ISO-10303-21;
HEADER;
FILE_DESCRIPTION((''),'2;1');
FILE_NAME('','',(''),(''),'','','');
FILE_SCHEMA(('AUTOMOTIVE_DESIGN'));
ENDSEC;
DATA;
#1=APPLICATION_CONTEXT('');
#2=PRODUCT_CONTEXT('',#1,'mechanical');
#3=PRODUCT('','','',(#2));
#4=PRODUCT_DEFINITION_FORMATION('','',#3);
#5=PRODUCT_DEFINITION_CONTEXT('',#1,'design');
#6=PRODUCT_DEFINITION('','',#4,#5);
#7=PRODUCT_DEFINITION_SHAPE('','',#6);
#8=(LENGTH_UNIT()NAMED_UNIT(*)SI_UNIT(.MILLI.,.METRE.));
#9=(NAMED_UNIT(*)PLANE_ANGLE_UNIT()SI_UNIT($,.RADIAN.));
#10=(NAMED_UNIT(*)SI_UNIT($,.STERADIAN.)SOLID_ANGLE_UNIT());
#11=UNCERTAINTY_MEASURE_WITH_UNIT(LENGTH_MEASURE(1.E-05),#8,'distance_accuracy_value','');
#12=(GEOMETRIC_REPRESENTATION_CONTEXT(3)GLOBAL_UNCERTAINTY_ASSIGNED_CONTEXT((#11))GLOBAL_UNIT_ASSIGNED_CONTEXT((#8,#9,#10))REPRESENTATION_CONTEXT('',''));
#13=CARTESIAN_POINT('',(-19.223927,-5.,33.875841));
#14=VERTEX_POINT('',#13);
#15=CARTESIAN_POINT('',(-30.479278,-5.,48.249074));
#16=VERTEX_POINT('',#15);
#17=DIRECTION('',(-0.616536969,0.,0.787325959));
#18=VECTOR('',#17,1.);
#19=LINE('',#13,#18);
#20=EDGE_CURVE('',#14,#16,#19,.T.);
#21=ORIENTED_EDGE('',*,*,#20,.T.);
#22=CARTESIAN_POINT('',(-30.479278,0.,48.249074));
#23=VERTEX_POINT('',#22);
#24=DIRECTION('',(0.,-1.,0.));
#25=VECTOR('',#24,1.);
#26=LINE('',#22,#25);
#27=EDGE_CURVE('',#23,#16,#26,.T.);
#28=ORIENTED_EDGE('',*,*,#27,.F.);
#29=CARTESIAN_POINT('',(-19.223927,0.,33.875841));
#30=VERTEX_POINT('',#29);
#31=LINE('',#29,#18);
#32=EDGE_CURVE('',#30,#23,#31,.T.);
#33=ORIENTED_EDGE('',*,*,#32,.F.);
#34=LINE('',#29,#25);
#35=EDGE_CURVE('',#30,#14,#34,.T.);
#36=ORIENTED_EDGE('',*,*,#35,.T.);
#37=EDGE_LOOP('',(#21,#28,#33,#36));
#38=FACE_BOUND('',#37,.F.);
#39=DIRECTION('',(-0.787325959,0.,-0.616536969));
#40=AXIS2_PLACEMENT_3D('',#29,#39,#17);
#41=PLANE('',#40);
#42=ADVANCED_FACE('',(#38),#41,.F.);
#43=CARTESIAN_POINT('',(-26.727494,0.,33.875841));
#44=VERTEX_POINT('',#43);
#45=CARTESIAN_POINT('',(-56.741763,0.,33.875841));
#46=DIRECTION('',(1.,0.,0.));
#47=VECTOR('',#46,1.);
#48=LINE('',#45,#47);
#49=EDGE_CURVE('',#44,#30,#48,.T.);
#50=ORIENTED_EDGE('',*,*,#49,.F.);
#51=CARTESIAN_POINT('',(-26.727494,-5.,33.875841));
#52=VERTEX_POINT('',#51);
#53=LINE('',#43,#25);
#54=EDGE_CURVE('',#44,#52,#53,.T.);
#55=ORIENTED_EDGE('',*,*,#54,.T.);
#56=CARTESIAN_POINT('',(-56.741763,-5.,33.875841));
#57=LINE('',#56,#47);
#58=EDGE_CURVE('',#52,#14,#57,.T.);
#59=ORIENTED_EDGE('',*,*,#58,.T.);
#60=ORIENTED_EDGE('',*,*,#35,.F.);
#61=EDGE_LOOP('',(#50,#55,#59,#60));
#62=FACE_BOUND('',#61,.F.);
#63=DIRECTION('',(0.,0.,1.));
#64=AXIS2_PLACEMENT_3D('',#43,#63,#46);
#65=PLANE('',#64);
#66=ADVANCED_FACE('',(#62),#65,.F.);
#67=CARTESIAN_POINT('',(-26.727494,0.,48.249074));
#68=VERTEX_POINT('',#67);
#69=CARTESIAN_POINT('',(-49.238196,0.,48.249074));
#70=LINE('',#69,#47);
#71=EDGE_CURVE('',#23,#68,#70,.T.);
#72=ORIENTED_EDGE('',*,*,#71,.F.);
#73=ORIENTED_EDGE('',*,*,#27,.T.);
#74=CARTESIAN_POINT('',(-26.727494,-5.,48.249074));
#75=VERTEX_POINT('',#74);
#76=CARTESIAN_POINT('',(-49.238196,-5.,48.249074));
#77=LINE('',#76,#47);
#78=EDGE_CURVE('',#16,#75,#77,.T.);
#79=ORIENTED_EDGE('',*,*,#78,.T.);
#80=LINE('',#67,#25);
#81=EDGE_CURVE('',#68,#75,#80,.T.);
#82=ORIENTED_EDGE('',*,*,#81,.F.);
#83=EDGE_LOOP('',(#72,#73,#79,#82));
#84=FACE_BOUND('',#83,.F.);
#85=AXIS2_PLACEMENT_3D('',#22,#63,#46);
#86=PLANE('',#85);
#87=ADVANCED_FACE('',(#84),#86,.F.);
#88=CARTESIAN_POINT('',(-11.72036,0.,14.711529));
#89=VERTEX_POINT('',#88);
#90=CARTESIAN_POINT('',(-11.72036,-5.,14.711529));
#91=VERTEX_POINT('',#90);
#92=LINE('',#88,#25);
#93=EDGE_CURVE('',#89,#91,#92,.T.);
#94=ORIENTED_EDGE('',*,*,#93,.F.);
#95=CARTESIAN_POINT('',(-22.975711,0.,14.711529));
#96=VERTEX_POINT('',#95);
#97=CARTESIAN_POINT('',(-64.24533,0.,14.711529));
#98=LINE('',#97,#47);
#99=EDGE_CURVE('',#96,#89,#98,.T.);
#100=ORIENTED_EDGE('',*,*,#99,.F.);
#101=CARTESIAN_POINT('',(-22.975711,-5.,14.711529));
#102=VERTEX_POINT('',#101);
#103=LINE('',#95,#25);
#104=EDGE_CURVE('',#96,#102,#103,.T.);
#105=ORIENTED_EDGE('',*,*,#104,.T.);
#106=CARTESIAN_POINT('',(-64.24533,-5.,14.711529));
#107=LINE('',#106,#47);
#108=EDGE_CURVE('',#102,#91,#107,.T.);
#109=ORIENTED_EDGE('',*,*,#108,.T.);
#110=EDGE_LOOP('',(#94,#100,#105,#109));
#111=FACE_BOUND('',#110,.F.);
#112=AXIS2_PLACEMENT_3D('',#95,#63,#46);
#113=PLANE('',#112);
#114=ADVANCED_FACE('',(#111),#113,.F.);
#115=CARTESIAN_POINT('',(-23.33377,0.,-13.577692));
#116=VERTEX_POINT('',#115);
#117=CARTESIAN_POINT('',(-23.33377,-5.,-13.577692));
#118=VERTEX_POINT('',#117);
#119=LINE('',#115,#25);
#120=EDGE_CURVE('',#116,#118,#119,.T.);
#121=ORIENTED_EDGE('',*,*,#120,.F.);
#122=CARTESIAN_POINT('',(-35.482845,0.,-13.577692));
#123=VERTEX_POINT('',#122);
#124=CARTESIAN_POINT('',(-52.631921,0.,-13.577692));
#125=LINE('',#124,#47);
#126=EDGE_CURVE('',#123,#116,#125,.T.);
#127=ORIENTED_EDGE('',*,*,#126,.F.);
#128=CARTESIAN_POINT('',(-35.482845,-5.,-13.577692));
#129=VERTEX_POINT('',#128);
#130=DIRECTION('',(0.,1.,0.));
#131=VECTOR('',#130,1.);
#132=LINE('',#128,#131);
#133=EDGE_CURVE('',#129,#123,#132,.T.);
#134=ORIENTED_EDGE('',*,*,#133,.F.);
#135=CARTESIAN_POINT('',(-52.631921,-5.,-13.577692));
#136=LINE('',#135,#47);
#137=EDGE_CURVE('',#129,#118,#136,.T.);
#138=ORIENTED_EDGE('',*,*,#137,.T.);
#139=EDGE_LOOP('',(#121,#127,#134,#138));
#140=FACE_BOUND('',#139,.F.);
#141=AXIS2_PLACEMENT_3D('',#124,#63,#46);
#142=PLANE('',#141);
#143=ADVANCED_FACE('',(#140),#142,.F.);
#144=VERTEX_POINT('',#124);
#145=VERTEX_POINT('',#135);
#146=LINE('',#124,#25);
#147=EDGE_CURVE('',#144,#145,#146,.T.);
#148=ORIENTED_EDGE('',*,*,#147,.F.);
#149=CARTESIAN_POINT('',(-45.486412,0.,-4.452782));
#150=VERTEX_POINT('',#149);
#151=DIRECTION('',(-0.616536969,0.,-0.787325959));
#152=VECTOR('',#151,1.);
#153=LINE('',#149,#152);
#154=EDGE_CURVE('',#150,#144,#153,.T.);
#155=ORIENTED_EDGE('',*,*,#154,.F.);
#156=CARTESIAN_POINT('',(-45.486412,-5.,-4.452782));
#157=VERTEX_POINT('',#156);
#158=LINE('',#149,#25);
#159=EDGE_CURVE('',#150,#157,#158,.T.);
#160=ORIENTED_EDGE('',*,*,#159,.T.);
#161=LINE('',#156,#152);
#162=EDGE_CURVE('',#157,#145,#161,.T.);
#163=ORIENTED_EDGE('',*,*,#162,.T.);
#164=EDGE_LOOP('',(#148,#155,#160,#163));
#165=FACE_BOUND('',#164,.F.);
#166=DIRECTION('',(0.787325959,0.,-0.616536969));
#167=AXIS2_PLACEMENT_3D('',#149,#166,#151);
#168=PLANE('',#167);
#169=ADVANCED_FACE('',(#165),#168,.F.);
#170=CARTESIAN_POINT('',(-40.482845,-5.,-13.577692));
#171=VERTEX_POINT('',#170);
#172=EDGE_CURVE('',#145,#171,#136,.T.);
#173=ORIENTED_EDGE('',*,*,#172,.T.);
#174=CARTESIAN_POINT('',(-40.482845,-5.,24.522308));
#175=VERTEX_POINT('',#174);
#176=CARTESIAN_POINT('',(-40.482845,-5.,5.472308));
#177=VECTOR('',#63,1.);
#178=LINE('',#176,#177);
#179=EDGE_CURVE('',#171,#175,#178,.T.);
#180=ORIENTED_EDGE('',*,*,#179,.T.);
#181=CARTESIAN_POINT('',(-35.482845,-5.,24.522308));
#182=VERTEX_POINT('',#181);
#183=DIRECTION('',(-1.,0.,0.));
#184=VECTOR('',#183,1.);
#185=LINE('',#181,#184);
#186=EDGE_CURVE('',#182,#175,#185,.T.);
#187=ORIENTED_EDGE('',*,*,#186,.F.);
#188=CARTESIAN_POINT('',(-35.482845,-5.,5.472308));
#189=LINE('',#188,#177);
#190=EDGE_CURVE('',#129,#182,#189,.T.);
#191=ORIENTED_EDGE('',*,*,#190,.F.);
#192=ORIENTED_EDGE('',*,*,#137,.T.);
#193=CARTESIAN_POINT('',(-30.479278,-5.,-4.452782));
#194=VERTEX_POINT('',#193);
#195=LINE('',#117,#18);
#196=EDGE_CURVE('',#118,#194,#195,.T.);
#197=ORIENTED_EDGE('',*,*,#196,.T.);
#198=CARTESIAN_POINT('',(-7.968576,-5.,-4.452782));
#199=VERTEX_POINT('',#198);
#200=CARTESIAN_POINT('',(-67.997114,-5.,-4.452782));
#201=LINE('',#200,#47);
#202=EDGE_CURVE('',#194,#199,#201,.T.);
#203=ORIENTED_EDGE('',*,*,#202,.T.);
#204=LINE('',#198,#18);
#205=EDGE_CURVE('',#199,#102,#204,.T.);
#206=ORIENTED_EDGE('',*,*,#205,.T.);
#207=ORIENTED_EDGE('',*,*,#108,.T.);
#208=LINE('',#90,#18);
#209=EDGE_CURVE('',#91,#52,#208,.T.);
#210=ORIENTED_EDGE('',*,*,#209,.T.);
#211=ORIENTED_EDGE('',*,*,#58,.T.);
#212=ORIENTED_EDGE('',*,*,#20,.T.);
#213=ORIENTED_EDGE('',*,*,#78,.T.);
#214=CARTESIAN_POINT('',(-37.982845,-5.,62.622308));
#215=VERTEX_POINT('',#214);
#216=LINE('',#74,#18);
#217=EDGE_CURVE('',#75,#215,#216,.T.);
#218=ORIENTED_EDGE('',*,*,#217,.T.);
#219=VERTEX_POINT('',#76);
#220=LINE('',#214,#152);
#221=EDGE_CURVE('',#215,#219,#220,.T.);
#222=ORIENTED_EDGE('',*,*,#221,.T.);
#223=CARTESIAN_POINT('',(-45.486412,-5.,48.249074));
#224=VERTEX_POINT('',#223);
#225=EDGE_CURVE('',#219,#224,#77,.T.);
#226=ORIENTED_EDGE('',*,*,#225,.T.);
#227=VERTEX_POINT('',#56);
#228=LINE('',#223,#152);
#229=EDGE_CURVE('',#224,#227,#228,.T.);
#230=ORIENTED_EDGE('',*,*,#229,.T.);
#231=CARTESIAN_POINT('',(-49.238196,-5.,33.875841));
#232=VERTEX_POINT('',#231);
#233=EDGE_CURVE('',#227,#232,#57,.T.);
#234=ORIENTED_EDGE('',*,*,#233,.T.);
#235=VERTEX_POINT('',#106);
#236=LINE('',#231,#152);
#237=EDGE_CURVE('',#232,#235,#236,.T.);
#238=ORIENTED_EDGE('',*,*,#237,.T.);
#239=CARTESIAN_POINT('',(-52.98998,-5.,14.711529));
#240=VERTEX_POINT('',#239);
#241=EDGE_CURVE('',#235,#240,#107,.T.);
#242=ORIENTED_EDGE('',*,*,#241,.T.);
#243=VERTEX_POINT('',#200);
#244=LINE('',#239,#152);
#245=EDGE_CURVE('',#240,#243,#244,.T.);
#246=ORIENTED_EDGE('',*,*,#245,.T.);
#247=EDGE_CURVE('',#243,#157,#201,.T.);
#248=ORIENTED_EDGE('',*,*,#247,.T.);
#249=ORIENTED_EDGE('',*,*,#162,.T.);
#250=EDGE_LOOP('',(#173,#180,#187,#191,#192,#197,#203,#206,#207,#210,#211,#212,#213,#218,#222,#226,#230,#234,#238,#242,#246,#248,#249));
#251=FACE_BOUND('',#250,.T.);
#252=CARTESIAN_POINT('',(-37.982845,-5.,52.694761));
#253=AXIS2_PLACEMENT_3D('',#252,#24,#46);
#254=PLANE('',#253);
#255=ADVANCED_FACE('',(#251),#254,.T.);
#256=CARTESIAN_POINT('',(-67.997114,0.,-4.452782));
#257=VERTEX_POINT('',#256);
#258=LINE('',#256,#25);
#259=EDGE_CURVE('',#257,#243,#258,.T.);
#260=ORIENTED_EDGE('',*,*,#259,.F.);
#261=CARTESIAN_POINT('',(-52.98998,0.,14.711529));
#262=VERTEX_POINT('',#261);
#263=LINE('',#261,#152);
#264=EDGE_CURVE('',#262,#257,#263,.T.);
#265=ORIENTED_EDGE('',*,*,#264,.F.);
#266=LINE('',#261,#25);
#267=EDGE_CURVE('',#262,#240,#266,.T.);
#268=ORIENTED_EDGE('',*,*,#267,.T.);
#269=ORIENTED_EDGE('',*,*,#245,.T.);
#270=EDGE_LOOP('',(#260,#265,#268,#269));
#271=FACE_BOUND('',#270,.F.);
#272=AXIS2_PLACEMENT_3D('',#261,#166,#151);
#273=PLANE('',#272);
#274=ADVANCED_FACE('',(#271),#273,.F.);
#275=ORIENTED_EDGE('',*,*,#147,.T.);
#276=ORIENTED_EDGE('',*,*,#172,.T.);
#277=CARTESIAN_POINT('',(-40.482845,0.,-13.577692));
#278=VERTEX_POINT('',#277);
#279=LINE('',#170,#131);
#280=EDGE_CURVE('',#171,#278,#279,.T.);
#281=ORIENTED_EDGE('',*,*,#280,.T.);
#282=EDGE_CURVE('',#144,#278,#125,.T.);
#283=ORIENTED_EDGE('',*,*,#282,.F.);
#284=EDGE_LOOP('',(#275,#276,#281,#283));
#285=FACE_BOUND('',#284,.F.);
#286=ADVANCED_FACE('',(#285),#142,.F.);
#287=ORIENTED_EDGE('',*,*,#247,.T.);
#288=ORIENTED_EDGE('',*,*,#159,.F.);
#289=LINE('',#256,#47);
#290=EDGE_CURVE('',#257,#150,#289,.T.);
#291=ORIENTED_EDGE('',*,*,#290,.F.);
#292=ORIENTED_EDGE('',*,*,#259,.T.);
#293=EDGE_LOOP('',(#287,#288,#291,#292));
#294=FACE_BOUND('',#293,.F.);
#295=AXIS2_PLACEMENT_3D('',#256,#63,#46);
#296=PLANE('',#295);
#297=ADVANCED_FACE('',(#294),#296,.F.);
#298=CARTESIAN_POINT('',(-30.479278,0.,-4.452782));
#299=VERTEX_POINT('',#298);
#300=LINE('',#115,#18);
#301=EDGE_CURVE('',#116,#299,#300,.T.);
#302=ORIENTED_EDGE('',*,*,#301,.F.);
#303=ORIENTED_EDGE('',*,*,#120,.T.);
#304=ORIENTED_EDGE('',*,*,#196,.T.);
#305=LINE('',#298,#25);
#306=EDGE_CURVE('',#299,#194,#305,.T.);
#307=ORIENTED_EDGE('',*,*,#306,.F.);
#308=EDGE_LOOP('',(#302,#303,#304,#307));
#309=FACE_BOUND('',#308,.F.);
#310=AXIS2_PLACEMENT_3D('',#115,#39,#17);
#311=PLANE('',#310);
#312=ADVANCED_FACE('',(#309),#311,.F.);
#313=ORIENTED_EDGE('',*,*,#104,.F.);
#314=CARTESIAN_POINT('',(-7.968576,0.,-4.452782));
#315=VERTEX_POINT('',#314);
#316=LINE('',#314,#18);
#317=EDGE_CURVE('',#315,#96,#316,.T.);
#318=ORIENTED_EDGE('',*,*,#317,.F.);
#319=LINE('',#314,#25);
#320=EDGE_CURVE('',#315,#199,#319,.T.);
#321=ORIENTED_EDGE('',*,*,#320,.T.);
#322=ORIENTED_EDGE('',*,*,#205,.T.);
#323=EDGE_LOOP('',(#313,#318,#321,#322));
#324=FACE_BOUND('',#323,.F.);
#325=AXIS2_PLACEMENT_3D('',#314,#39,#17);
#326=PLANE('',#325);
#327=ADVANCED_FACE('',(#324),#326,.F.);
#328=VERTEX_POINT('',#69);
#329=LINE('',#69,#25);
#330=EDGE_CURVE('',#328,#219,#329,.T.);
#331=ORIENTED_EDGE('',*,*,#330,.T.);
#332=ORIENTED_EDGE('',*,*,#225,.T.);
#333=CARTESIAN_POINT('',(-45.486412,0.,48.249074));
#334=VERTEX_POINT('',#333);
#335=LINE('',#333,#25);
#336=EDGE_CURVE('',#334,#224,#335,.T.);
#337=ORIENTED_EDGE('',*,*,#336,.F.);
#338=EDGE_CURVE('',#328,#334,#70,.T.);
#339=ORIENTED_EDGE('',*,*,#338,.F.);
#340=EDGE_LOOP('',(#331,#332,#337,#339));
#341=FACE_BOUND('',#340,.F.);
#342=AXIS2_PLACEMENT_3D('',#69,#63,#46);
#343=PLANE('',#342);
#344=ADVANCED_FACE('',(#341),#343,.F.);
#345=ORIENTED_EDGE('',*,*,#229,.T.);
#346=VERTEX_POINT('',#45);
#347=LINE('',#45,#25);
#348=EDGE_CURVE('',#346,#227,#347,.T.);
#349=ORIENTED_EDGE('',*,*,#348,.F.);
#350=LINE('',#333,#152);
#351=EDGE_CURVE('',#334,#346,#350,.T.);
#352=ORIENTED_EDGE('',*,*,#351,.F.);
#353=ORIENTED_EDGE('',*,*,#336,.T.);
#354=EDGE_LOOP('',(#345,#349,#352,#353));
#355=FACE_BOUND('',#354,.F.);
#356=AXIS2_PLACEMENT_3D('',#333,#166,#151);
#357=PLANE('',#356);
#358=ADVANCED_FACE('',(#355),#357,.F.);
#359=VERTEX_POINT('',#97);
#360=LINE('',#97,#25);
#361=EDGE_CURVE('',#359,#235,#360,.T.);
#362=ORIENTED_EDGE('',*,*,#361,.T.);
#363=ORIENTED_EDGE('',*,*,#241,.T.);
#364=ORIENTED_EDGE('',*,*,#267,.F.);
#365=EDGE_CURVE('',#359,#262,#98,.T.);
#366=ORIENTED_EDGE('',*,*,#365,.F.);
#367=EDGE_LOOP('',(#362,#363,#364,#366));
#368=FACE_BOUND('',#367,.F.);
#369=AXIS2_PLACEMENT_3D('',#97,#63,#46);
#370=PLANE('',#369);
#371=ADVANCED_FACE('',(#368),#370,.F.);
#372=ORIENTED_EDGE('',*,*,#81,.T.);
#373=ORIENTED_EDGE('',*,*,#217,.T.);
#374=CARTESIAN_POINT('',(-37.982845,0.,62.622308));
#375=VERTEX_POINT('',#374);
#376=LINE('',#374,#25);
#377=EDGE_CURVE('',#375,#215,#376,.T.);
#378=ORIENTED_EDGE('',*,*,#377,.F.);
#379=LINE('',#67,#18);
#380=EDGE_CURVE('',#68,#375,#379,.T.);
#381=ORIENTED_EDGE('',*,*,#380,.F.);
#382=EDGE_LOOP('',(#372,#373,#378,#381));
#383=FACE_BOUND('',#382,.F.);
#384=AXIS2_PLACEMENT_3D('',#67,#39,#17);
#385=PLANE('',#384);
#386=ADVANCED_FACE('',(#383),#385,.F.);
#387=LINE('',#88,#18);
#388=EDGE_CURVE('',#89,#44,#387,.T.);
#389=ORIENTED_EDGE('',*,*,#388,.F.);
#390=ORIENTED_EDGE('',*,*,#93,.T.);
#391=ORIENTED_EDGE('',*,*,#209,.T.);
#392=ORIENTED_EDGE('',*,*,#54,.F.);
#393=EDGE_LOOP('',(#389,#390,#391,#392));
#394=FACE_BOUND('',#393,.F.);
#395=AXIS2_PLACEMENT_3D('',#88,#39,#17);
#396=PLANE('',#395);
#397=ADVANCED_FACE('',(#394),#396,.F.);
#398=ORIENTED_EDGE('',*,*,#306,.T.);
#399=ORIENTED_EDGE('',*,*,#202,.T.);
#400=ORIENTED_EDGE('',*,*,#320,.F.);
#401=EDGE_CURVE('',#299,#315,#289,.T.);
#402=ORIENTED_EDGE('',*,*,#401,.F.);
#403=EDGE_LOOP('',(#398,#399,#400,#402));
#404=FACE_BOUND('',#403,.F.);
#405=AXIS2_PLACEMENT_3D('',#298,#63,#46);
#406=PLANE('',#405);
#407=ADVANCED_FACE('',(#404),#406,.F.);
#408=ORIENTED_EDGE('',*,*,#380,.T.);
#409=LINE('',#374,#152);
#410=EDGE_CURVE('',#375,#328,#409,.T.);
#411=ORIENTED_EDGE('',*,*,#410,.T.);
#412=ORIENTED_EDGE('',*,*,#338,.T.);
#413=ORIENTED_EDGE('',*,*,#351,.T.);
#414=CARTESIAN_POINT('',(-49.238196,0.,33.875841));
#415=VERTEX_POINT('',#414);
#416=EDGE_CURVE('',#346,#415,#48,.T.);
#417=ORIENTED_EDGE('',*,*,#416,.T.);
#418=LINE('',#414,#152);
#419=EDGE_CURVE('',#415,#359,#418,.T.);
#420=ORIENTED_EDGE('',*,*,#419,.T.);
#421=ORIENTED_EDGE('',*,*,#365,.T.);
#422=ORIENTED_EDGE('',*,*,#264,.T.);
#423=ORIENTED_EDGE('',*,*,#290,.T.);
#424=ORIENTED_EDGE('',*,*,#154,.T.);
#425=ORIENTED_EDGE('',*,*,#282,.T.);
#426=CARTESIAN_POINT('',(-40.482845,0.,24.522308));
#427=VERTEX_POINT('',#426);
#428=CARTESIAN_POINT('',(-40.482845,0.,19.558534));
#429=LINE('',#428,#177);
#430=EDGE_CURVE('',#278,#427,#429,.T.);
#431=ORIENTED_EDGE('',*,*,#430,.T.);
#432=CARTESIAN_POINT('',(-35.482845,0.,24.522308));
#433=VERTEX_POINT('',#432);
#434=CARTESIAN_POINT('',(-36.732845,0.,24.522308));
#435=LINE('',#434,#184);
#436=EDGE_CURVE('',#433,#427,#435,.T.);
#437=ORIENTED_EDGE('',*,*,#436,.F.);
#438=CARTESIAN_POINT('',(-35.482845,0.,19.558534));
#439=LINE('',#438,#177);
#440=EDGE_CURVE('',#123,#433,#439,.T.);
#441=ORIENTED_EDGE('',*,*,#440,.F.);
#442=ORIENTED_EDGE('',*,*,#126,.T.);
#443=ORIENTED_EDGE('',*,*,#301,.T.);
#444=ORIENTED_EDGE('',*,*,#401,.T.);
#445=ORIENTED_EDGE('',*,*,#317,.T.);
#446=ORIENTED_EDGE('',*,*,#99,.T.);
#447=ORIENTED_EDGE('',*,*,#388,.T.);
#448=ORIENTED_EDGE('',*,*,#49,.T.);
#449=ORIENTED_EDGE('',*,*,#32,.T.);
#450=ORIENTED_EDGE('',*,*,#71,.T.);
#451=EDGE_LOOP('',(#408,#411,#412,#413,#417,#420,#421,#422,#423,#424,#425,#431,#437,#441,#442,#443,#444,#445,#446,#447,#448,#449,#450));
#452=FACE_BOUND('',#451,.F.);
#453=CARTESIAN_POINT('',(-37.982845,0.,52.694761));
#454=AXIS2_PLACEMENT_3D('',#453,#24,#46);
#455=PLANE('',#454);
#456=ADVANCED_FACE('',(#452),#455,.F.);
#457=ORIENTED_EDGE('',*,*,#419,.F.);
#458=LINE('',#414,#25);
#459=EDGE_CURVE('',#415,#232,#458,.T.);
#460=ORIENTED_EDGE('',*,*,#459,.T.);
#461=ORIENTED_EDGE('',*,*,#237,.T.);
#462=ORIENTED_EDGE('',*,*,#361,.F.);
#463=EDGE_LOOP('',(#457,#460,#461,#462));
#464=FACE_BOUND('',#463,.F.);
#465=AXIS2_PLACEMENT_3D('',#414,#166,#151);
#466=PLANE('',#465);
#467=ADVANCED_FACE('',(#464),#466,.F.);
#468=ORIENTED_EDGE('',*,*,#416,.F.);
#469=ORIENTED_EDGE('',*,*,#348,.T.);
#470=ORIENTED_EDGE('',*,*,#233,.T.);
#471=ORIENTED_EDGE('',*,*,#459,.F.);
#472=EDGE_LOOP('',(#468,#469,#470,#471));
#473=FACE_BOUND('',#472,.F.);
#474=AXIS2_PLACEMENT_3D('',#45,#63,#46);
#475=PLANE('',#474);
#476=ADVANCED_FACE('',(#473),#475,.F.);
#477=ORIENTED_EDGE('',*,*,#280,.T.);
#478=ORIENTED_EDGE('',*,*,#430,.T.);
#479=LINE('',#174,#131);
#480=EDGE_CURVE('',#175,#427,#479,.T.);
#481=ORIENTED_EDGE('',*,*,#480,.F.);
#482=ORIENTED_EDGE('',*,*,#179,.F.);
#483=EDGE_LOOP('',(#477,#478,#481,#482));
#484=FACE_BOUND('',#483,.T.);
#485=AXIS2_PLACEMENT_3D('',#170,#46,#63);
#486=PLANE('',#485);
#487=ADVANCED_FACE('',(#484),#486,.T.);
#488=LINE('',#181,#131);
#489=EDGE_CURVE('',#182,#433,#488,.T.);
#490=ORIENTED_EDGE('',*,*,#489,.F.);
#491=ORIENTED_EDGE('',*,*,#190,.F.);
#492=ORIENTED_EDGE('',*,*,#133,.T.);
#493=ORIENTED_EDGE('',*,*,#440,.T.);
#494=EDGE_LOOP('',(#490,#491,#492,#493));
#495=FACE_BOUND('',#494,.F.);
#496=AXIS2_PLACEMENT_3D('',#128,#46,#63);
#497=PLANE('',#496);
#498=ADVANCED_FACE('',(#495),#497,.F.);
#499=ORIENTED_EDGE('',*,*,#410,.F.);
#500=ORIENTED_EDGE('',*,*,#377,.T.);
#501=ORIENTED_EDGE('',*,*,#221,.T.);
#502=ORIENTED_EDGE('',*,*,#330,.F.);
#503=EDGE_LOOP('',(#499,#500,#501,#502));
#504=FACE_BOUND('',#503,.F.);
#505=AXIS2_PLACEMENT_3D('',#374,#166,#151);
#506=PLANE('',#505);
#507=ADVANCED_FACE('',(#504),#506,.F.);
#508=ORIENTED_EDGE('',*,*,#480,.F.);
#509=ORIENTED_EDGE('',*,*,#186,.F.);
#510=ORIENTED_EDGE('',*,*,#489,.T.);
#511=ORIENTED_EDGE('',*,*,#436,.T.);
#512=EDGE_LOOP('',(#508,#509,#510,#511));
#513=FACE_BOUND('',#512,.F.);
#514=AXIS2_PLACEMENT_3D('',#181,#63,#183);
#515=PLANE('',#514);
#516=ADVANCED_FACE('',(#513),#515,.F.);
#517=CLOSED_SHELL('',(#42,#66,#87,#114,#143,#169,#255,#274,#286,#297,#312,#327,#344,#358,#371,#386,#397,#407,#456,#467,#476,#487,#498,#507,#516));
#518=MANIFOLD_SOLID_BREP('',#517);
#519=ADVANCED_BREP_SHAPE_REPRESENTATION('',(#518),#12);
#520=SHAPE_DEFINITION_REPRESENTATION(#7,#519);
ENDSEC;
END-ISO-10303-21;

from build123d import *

# Parameters (mm, degrees)
F0_W     = 7.5035672322
F0_H     = 9.1249096662
F1_DEPTH = 5
F2_W     = 2.5
F2_H     = 38.1
F3_DEPTH = 25


with BuildPart() as f1:
    # F0 (on Front) → F1 (new body)
    with BuildSketch(Plane.XZ):
        Polygon((-45.4864123737, 48.2490742109), (-30.4792779093, 48.2490742109), (-26.7274942932, 48.2490742109), (-37.9828451415, 62.6223078539), (-49.2381959898, 48.2490742109), align=None)
        Polygon((-49.2381959898, 33.875840568), (-37.9828451415, 33.875840568), (-26.7274942932, 33.875840568), (-19.2239270611, 33.875840568), (-30.4792779093, 48.2490742109), (-45.4864123737, 48.2490742109), (-56.741763222, 33.875840568), align=None)
        Polygon((-52.9899796059, 14.711529044), (-37.9828451415, 14.711529044), (-37.9828451415, 33.875840568), (-49.2381959898, 33.875840568), (-64.2453304542, 14.711529044), align=None)
        Polygon((-37.9828451415, 33.875840568), (-37.9828451415, 14.711529044), (-22.9757106772, 14.711529044), (-11.7203598289, 14.711529044), (-26.7274942932, 33.875840568), align=None)
        Polygon((-45.4864123737, -4.4527824799), (-37.9828451415, -4.4527824799), (-37.9828451415, 14.711529044), (-52.9899796059, 14.711529044), (-67.9971140702, -4.4527824799), align=None)
        Polygon((-37.9828451415, 14.711529044), (-37.9828451415, -4.4527824799), (-30.4792779093, -4.4527824799), (-7.9685762128, -4.4527824799), (-22.9757106772, 14.711529044), align=None)
        Polygon((-52.631920636, -13.5776921461), (-45.4864123737, -13.5776921461), (-45.4864123737, -4.4527824799), align=None)
        with Locations((-41.7346287576, -9.015237313)):
            Rectangle(F0_W, F0_H)
        with Locations((-34.2310615254, -9.015237313)):
            Rectangle(F0_W, F0_H)
        Polygon((-30.4792779093, -4.4527824799), (-30.4792779093, -13.5776921461), (-23.333769647, -13.5776921461), align=None)
    extrude(amount=F1_DEPTH)

    # F2 (on face) → F3 (cut)
    with BuildSketch(Plane.XZ.offset(5)):
        with Locations((-39.2328451415, 5.4723078539)):
            Rectangle(F2_W, F2_H)
        with Locations((-36.7328451415, 5.4723078539)):
            Rectangle(F2_W, F2_H)
    extrude(amount=-F3_DEPTH, mode=Mode.SUBTRACT)


solid = f1.part
